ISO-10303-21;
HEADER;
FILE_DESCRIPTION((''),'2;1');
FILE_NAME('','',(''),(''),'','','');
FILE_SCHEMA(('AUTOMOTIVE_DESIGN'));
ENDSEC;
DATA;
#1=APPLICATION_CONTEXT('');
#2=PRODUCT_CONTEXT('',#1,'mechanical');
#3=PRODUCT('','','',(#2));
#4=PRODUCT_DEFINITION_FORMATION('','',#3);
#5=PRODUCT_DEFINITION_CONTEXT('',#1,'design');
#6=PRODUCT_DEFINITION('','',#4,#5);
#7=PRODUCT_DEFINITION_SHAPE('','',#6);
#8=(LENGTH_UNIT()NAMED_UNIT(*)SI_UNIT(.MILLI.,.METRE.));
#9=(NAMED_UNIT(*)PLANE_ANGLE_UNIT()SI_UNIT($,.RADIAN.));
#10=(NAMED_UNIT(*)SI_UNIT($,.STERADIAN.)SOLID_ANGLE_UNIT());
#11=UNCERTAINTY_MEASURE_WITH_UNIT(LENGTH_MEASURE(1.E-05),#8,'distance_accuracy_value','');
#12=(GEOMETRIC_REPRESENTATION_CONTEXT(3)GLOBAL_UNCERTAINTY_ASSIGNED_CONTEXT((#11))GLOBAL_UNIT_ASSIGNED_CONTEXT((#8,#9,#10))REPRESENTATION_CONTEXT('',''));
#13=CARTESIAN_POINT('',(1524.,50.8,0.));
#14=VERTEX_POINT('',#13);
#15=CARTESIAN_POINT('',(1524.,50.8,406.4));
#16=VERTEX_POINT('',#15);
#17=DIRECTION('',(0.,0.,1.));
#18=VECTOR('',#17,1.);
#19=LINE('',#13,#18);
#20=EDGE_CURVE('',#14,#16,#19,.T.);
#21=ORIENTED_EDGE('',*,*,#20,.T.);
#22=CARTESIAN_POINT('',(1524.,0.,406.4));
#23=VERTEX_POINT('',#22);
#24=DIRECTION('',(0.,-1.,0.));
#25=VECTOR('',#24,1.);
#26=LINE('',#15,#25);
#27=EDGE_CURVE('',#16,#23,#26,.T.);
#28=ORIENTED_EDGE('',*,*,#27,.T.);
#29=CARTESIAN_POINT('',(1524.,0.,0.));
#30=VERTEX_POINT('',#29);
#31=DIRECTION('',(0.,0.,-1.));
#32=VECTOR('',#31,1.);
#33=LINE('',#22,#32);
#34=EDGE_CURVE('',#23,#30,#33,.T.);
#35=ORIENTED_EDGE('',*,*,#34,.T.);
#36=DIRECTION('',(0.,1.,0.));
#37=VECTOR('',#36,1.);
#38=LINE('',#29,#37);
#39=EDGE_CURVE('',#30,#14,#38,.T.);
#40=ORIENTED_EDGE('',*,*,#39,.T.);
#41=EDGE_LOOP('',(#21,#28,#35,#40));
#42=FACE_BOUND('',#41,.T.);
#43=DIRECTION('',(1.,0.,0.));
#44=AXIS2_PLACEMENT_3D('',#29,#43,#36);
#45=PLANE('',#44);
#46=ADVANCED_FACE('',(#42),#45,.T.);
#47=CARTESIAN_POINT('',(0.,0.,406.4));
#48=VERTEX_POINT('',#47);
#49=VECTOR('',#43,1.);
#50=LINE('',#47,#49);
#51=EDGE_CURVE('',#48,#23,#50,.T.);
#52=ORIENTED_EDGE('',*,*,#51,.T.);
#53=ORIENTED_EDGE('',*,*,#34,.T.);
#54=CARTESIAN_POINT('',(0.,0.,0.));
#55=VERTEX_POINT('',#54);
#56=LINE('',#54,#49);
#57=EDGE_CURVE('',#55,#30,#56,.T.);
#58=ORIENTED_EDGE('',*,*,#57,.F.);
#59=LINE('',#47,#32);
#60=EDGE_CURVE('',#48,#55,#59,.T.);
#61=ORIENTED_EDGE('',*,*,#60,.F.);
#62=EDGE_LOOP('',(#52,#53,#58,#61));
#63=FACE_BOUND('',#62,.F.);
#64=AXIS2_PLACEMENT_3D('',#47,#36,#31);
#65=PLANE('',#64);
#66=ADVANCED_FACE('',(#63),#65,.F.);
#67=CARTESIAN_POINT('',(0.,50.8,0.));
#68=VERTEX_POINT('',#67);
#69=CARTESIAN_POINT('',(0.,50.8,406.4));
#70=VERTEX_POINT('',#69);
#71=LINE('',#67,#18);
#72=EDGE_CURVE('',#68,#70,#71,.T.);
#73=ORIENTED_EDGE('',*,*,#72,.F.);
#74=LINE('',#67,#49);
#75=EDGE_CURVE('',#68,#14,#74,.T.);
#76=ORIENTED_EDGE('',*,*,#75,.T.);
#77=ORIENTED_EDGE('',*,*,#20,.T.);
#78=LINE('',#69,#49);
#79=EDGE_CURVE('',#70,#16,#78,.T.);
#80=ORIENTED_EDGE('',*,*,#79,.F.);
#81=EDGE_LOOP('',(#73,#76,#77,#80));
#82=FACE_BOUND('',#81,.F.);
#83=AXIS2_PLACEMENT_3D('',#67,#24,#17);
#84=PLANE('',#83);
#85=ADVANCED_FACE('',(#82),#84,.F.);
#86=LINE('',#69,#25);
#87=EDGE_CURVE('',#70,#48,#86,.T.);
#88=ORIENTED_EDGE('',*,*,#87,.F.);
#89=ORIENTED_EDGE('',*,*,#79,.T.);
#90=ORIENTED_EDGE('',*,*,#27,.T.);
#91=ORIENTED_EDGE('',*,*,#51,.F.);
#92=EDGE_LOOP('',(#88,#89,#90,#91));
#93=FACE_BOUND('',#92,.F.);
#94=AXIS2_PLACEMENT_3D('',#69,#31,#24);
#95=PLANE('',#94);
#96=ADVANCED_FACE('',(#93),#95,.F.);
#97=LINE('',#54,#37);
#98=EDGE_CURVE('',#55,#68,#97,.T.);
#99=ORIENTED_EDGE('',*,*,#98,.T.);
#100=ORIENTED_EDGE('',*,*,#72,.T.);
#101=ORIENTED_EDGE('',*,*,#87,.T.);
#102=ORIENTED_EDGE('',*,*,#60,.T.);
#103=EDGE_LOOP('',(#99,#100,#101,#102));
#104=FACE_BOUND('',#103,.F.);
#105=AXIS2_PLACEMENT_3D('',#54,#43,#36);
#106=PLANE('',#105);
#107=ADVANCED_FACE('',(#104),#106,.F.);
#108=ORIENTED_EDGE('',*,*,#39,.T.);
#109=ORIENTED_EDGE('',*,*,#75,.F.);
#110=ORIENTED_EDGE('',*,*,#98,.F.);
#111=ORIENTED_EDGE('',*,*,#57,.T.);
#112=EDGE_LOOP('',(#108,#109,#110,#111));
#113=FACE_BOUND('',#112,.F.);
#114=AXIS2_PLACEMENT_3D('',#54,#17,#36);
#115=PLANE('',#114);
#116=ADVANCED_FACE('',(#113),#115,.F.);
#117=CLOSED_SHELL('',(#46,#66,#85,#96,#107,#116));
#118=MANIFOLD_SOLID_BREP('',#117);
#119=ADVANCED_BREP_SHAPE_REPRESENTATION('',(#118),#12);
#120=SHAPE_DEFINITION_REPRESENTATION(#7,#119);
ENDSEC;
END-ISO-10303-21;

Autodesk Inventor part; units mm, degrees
ref_plane "YZ Plane" through (0, 0, 0) normal (1, 0, 0) x (0, 1, 0)
ref_plane "XZ Plane" through (0, 0, 0) normal (0, 1, 0) x (-1, 0, 0)
ref_plane "XY Plane" through (0, 0, 0) normal (0, 0, 1) x (1, 0, 0)
sketch "Sketch1" plane through (0, 0, 0) normal (1, 0, 0) x (0, 1, 0)
  line L0 (0, 0) -> (50.8, 0)
  line L1 (50.8, 0) -> (50.8, 406.4)
  line L2 (50.8, 406.4) -> (0, 406.4)
  line L3 (0, 406.4) -> (0, 0)
  dimension "d0" = 50.8
  dimension "d1" = 406.4
extrude "Extrusion1" add sketch "Sketch1" along normal blind 1524
properties part number "2x16x60-12" material "Granite, Cut, Polished"
